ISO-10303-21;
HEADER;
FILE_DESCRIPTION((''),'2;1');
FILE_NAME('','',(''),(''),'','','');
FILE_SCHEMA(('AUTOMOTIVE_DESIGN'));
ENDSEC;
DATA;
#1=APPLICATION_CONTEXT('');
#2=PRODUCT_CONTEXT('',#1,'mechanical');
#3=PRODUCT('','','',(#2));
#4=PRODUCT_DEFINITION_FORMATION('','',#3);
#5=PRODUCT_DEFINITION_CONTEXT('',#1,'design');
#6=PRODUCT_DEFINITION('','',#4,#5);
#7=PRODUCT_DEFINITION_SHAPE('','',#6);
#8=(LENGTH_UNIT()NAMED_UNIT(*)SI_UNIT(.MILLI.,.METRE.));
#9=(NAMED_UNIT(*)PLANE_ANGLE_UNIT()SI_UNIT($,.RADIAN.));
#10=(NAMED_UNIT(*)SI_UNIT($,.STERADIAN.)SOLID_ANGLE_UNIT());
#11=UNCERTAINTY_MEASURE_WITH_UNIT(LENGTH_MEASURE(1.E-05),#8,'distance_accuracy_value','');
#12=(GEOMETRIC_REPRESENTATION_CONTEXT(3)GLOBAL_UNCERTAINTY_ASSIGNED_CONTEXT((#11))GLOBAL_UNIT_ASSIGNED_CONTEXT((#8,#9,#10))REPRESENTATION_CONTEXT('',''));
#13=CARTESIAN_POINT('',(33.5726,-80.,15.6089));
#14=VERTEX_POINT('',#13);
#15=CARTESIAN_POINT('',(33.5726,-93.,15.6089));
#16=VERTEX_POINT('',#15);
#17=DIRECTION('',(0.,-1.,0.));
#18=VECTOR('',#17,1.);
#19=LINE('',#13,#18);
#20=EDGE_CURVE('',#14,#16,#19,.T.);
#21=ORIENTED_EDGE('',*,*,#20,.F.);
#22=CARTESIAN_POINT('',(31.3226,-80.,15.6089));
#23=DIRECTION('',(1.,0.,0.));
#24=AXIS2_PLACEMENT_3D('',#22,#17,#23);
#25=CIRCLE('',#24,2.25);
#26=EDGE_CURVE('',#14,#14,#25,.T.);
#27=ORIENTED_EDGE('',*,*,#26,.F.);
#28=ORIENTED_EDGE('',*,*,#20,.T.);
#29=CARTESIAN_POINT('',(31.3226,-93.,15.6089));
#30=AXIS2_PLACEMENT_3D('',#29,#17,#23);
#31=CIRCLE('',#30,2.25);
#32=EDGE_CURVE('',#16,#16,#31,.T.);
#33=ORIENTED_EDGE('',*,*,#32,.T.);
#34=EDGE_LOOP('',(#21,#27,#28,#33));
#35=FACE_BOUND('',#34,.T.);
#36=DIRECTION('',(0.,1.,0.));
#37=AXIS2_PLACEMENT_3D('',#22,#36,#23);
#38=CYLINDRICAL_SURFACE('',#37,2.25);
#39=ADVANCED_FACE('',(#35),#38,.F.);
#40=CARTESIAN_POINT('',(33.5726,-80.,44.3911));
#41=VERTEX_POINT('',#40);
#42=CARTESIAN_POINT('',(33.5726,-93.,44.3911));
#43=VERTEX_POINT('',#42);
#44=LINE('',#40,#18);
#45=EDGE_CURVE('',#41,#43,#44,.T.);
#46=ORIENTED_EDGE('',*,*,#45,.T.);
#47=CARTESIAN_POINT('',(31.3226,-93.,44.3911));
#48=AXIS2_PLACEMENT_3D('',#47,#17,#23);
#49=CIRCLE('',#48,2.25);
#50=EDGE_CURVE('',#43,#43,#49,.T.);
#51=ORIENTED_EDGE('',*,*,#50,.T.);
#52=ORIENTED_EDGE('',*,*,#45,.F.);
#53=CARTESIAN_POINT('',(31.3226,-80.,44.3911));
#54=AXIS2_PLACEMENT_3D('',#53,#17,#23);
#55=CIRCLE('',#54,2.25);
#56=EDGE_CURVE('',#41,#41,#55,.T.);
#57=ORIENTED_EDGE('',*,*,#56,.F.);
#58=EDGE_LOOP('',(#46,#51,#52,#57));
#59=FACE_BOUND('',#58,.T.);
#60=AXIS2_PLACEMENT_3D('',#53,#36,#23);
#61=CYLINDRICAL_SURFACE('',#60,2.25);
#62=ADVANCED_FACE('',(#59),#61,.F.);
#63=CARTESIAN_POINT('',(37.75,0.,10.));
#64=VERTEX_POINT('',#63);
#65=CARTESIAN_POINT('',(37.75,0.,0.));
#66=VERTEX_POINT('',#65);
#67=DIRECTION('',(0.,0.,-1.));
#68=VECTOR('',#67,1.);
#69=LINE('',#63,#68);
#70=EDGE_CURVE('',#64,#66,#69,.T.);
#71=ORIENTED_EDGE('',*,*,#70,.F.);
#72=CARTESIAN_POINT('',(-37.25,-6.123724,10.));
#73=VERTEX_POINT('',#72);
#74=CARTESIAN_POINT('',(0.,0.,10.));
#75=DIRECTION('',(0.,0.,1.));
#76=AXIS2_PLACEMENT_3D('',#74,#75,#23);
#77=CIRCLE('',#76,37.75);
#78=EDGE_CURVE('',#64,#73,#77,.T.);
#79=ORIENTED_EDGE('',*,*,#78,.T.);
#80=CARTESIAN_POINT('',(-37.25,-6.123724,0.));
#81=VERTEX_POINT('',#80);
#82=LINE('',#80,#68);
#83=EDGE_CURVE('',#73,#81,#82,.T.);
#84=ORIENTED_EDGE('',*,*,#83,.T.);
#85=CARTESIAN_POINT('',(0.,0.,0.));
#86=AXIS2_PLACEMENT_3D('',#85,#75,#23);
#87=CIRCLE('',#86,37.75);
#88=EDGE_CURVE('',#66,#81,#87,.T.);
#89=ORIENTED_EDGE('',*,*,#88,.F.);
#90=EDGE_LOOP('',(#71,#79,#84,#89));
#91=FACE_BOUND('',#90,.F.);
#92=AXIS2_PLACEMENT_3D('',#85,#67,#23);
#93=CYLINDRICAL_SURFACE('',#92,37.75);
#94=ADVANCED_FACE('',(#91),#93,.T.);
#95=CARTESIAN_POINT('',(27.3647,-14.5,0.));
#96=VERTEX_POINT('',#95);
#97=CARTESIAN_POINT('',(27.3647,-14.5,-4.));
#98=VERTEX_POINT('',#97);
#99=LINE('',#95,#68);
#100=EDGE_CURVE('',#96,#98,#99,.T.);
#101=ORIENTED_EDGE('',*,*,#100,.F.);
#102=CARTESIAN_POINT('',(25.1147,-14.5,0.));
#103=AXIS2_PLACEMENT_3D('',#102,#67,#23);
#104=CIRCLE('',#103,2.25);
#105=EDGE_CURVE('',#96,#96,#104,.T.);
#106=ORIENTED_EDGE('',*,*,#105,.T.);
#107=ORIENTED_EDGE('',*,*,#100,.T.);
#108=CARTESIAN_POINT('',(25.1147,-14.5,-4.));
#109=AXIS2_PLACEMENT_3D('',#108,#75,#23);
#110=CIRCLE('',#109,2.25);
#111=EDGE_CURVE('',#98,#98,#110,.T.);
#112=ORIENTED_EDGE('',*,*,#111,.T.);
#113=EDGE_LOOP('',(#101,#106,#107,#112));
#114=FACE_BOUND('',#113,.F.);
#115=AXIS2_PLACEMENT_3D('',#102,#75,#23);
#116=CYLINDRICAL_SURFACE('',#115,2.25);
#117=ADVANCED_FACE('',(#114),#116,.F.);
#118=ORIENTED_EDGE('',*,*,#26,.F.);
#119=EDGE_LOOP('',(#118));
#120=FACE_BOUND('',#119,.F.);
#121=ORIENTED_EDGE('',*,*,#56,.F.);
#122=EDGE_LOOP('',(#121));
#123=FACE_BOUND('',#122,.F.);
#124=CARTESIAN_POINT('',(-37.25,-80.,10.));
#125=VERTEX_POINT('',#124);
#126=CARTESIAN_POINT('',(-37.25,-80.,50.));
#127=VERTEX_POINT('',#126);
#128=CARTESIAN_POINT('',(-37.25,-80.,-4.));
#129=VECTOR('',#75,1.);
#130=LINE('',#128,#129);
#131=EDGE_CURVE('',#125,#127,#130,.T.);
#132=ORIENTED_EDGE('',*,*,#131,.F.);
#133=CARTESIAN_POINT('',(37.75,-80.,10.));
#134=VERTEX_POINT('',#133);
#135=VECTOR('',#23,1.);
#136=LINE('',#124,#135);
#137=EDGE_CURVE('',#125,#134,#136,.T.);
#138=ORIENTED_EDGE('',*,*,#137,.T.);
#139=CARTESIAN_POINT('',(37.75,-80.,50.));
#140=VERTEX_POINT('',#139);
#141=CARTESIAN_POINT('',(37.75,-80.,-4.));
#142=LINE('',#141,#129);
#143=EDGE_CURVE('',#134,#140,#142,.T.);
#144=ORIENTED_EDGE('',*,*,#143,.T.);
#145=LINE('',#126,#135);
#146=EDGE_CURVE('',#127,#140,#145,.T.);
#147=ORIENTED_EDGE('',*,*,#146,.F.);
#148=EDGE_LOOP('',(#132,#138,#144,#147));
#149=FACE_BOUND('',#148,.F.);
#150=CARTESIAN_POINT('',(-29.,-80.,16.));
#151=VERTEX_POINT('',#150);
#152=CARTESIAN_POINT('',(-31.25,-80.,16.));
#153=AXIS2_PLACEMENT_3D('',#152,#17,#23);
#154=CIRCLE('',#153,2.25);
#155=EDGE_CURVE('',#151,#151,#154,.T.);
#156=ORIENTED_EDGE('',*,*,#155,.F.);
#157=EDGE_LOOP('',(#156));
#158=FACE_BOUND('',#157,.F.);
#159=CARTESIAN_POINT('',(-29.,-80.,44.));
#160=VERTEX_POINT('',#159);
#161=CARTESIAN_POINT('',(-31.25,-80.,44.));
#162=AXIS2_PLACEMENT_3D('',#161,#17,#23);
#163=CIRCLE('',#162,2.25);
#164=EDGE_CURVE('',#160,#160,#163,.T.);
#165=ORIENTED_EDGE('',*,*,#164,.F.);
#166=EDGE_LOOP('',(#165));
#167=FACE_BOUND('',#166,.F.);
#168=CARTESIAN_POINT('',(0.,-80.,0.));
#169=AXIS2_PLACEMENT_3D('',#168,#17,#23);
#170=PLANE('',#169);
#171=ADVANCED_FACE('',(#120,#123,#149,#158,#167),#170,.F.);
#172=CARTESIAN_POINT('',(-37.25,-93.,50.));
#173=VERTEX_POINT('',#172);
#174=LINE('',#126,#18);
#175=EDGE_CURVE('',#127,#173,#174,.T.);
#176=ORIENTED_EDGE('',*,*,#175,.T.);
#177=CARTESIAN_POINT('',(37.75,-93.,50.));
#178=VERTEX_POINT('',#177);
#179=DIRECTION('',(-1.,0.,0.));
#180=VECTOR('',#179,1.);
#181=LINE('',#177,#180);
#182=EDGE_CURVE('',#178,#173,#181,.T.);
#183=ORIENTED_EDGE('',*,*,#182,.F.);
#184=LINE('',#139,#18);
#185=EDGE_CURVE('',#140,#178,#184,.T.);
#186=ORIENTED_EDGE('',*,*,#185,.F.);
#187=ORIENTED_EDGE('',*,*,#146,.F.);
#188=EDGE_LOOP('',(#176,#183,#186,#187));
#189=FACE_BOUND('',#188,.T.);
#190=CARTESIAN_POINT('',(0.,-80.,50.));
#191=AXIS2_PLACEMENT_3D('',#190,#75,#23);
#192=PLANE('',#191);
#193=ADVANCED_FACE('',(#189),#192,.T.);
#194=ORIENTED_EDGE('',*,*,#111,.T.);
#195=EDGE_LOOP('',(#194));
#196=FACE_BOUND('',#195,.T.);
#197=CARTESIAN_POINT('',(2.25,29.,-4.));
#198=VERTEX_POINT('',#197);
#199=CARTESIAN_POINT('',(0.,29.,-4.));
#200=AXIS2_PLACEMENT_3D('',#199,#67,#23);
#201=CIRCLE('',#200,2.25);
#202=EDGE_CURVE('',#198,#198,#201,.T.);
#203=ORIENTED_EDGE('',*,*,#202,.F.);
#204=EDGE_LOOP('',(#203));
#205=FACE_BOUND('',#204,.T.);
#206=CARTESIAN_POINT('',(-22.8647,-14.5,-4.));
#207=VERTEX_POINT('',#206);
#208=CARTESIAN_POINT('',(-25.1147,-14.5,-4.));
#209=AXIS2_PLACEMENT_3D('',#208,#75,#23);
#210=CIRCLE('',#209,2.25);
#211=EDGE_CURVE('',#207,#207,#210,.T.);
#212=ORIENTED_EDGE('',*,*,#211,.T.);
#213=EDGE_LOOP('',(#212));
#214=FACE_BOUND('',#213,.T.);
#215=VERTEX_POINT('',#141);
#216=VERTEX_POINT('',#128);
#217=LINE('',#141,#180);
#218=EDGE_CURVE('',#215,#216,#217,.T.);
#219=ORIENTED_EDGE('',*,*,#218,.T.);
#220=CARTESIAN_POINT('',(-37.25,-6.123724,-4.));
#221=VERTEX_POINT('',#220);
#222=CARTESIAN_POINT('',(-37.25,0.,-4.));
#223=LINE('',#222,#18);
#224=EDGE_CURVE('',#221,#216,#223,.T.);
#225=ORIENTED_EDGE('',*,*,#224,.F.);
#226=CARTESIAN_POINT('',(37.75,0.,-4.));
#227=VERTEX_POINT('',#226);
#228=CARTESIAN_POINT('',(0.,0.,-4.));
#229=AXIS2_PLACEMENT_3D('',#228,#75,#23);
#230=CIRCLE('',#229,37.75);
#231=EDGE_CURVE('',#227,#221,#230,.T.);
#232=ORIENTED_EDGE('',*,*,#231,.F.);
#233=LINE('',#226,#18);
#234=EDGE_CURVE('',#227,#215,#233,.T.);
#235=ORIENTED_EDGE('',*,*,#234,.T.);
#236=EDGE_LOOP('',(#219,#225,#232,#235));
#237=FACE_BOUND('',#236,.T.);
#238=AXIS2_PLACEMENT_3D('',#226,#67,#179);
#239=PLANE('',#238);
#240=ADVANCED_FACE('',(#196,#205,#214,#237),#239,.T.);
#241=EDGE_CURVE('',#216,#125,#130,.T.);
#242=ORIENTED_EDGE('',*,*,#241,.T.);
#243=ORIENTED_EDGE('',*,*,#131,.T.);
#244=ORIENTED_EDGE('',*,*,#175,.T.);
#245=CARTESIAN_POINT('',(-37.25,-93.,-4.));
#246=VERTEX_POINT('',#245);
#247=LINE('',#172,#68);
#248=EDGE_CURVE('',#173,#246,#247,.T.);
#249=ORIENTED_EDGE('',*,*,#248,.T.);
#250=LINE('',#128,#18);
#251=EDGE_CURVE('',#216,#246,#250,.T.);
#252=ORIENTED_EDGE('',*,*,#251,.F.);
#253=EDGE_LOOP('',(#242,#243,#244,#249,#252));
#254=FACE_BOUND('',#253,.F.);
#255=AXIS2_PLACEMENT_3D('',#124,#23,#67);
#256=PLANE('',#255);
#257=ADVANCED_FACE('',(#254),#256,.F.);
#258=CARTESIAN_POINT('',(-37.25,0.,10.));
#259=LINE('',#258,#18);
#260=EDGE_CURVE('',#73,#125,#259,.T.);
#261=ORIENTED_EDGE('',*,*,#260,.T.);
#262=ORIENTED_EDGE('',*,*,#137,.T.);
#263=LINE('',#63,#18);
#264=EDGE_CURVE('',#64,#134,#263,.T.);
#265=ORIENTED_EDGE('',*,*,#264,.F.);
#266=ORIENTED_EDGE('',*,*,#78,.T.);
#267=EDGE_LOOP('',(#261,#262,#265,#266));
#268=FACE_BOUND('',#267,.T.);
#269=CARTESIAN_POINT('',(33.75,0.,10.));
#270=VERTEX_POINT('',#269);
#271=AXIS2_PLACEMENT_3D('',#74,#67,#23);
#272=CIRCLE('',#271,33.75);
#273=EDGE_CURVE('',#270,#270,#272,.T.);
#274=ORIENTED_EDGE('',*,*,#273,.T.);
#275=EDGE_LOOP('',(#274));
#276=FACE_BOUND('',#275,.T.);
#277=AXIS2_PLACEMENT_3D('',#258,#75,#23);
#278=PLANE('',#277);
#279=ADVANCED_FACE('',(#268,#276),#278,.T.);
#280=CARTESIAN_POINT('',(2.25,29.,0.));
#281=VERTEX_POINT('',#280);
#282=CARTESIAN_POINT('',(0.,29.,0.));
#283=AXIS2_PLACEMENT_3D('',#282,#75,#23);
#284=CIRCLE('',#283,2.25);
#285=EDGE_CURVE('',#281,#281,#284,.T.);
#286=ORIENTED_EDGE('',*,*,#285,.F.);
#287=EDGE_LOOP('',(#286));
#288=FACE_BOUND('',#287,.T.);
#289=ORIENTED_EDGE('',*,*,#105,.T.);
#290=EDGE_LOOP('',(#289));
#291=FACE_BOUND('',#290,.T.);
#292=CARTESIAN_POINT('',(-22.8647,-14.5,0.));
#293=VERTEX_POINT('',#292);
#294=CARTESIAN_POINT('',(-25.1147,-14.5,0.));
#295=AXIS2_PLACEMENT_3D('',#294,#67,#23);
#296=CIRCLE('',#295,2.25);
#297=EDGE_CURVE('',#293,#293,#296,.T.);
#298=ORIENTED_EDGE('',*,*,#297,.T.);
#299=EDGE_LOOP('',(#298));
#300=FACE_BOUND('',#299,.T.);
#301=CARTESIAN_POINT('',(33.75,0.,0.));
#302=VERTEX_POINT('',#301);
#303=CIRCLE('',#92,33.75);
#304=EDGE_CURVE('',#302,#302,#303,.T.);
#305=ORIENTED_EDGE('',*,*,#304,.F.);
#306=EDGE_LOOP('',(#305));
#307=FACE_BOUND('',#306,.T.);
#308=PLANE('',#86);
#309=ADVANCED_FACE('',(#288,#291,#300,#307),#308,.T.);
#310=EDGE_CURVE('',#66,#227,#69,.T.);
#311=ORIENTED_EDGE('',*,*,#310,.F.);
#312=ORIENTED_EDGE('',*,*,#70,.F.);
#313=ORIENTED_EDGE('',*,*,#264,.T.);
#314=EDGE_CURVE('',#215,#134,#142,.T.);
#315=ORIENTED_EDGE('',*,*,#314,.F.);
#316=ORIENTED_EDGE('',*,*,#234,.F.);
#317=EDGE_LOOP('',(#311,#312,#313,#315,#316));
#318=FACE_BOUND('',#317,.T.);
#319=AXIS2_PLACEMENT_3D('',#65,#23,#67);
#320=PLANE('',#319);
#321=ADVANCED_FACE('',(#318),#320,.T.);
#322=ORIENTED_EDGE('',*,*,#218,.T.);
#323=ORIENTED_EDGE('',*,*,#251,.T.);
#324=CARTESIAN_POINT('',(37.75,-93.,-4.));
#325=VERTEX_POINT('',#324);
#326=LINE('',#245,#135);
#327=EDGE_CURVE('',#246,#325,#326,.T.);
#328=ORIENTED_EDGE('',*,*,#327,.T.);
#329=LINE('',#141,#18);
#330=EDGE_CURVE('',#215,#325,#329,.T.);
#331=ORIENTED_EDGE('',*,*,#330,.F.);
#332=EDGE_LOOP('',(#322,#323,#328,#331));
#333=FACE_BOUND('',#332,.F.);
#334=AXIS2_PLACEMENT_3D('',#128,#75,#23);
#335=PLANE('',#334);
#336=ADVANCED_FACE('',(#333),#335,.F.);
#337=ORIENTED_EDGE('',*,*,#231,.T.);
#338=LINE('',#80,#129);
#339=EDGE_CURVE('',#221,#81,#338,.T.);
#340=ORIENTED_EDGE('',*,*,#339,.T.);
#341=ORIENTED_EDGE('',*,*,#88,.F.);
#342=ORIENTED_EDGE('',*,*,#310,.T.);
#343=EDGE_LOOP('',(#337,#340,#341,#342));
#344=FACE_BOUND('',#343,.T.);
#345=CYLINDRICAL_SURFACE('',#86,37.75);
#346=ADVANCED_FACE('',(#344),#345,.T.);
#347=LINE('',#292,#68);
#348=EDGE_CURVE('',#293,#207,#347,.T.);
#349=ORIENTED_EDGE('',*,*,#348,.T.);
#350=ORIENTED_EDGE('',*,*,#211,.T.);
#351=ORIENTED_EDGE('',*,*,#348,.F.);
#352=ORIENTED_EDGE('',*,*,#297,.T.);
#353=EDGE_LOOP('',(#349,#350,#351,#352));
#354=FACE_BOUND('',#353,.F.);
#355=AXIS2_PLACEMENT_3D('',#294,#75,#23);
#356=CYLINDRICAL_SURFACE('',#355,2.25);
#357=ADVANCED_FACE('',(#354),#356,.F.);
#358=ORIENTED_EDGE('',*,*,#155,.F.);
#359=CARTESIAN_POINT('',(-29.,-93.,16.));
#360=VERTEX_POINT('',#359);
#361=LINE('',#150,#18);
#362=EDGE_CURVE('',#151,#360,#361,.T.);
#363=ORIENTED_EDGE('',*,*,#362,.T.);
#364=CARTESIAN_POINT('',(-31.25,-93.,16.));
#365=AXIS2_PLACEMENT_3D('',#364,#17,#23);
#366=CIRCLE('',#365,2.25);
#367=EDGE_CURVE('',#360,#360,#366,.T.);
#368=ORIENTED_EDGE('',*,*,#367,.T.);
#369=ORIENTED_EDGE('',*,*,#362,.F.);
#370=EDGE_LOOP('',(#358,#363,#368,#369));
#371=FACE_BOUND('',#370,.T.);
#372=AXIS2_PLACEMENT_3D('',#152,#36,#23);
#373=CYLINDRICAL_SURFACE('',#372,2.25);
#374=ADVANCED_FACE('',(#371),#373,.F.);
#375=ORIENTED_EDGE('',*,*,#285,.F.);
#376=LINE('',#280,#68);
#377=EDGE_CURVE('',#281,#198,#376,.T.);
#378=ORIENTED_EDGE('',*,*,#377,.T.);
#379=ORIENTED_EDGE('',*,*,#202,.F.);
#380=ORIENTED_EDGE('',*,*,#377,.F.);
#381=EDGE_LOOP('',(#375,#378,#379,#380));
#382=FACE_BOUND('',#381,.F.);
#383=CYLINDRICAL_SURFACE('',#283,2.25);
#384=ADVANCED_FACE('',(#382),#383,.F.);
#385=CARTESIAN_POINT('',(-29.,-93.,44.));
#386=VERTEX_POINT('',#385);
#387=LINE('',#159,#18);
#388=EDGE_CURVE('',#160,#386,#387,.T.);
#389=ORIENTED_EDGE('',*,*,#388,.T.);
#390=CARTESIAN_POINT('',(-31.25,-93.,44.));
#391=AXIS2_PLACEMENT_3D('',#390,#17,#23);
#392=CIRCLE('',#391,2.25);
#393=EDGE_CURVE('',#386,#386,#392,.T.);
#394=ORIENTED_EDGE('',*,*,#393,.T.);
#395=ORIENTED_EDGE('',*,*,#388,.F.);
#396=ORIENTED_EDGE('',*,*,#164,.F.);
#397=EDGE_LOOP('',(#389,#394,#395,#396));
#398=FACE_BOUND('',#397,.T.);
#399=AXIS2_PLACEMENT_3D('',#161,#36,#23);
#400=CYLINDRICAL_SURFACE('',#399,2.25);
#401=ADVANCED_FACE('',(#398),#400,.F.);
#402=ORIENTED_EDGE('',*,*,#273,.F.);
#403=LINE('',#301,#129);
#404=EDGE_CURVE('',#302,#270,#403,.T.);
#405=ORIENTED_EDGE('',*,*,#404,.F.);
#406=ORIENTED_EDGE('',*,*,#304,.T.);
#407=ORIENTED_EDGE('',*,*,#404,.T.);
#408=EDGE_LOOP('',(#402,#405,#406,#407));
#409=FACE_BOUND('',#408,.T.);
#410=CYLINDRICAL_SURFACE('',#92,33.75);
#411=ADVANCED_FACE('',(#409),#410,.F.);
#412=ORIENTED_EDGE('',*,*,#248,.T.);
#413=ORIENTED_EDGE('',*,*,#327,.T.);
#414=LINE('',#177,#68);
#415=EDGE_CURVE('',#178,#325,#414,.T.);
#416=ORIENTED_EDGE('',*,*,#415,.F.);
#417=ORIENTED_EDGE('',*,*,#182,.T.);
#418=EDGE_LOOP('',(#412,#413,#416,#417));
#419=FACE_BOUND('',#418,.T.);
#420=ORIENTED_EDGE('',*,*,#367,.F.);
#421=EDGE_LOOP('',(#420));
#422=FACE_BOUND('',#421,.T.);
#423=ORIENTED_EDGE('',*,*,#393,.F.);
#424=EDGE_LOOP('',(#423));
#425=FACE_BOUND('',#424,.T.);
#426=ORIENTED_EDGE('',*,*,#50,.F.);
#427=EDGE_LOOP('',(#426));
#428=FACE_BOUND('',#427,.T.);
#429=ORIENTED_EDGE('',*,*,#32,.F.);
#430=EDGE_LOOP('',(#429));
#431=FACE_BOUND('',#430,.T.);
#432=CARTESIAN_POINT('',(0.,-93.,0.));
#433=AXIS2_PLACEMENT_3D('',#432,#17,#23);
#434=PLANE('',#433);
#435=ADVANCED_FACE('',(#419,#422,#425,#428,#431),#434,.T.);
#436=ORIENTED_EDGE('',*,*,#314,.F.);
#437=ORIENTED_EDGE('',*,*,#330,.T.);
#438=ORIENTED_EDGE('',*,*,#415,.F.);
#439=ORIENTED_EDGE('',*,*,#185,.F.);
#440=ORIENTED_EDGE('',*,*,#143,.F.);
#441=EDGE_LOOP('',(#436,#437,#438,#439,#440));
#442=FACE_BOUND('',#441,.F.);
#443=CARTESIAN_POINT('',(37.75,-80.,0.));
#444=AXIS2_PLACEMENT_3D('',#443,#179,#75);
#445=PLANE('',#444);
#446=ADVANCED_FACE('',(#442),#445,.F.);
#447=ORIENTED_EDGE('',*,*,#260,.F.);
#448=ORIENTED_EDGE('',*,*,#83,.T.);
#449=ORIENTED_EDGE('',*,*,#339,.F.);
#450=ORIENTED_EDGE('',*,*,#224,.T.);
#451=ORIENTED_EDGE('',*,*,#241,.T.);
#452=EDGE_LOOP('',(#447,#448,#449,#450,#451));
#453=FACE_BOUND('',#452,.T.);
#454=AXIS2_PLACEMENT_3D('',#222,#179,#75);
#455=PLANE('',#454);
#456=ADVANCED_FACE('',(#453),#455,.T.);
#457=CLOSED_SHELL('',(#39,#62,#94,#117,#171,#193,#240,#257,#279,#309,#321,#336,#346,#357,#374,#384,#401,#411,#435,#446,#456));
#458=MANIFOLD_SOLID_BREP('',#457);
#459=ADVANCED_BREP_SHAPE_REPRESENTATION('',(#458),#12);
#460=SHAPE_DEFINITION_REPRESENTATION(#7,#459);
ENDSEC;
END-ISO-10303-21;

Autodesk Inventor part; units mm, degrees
ref_plane "YZ Plane" through (0, 0, 0) normal (1, 0, 0) x (0, 1, 0)
ref_plane "XZ Plane" through (0, 0, 0) normal (0, 1, 0) x (-1, 0, 0)
ref_plane "XY Plane" through (0, 0, 0) normal (0, 0, 1) x (1, 0, 0)
sketch "草图1" plane through (0, 0, 0) normal (0, 0, 1) x (1, 0, 0)
  circle A0 centre (0, 0) radius 33.75
  circle A1 centre (0, 0) radius 29
  circle A2 centre (0, 29) radius 2.25
  circle A3 centre (-25.1147, -14.5) radius 2.25
  circle A4 centre (25.1147, -14.5) radius 2.25
  circle A5 centre (0, 0) radius 37.75
  circle A6 centre (0, 0) radius 23.5
  dimension "d1" = 58
  dimension "d0" = 67.5
  dimension "d2" = 4.5
  dimension "d5" = 360
  dimension "d7" = 4
  dimension "d13" = 47
sketch "草图2" plane through (0, 0, 0) normal (0, 1, 0) x (-1, 0, 0)
  line L0 (37.75, 0) -> (-37.75, 0) projected
  line L1 (-37.75, 0) -> (37.25, 0)
  line L2 (37.25, 0) -> (37.25, 10)
  line L3 (37.25, 10) -> (-37.75, 10)
  line L4 (-37.75, 10) -> (-37.75, 0)
  line L5 (37.25, 0) -> (-37.75, 0)
  line L6 (-37.75, 0) -> (-37.75, -4)
  line L7 (-37.75, -4) -> (37.25, -4)
  line L8 (37.25, -4) -> (37.25, 0)
  point P0 (0, 0)
  dimension "d8" = 75
  dimension "d9" = 10
  dimension "d12" = 4
extrude "拉伸1" add sketch "草图2" against normal blind 80
extrude "拉伸2" cut sketch "草图1" along normal blind 10 contours A0 | A1 A4 A3 A2 | A2 A1 | A1 A2 | A4 A1 | A1 A4 | A3 A1 | A1 A3 | A6
extrude "拉伸3" cut sketch "草图1" against normal blind 10 contours A2 A1 | A1 A2 | A4 A1 | A1 A4 | A3 A1 | A1 A3
extrude "拉伸4" add sketch "草图1" against normal blind 4 contours A0 | A1 A4 A3 A2 | A5 | A6
extrude "拉伸5" add sketch "草图1" along normal blind 10 contours A5
sketch "草图3" plane through (0, -80, 0) normal (0, -1, 0) x (1, 0, 0)
  line L0 (-37.25, 10) -> (-37.25, -4) projected
  line L1 (-37.25, -4) -> (37.75, -4) projected
  line L2 (37.75, -4) -> (37.75, 10) projected
  line L3 (37.75, 10) -> (-37.25, 10) projected
  line L4 (37.75, 0) -> (-37.25, 0)
  line L5 (-37.25, 0) -> (-37.25, 50)
  line L6 (-37.25, 50) -> (37.75, 50)
  line L7 (37.75, 50) -> (37.75, 0)
  line L8 (37.75, -4) -> (-37.25, -4)
  line L9 (-37.25, -4) -> (-37.25, 0)
  line L10 (-37.25, 0) -> (37.75, 0)
  line L11 (37.75, 0) -> (37.75, -4)
  circle A0 centre (-31.25, 44) radius 2.25
  line L12 (0.25, 10) -> (0, 50)
  circle A1 centre (31.3226, 44.3911) radius 2.25
  line L13 (-37.25, 30) -> (37.75, 30)
  circle A2 centre (-31.25, 16) radius 2.25
  circle A3 centre (31.3226, 15.6089) radius 2.25
  point P0 (0, 0)
  dimension "d22" = 50
  dimension "d25" = 4.5
  dimension "d26" = 6
  dimension "d27" = 6
extrude "拉伸6" add sketch "草图3" along normal blind 13
properties part number "电机支架-v0.1.0"
